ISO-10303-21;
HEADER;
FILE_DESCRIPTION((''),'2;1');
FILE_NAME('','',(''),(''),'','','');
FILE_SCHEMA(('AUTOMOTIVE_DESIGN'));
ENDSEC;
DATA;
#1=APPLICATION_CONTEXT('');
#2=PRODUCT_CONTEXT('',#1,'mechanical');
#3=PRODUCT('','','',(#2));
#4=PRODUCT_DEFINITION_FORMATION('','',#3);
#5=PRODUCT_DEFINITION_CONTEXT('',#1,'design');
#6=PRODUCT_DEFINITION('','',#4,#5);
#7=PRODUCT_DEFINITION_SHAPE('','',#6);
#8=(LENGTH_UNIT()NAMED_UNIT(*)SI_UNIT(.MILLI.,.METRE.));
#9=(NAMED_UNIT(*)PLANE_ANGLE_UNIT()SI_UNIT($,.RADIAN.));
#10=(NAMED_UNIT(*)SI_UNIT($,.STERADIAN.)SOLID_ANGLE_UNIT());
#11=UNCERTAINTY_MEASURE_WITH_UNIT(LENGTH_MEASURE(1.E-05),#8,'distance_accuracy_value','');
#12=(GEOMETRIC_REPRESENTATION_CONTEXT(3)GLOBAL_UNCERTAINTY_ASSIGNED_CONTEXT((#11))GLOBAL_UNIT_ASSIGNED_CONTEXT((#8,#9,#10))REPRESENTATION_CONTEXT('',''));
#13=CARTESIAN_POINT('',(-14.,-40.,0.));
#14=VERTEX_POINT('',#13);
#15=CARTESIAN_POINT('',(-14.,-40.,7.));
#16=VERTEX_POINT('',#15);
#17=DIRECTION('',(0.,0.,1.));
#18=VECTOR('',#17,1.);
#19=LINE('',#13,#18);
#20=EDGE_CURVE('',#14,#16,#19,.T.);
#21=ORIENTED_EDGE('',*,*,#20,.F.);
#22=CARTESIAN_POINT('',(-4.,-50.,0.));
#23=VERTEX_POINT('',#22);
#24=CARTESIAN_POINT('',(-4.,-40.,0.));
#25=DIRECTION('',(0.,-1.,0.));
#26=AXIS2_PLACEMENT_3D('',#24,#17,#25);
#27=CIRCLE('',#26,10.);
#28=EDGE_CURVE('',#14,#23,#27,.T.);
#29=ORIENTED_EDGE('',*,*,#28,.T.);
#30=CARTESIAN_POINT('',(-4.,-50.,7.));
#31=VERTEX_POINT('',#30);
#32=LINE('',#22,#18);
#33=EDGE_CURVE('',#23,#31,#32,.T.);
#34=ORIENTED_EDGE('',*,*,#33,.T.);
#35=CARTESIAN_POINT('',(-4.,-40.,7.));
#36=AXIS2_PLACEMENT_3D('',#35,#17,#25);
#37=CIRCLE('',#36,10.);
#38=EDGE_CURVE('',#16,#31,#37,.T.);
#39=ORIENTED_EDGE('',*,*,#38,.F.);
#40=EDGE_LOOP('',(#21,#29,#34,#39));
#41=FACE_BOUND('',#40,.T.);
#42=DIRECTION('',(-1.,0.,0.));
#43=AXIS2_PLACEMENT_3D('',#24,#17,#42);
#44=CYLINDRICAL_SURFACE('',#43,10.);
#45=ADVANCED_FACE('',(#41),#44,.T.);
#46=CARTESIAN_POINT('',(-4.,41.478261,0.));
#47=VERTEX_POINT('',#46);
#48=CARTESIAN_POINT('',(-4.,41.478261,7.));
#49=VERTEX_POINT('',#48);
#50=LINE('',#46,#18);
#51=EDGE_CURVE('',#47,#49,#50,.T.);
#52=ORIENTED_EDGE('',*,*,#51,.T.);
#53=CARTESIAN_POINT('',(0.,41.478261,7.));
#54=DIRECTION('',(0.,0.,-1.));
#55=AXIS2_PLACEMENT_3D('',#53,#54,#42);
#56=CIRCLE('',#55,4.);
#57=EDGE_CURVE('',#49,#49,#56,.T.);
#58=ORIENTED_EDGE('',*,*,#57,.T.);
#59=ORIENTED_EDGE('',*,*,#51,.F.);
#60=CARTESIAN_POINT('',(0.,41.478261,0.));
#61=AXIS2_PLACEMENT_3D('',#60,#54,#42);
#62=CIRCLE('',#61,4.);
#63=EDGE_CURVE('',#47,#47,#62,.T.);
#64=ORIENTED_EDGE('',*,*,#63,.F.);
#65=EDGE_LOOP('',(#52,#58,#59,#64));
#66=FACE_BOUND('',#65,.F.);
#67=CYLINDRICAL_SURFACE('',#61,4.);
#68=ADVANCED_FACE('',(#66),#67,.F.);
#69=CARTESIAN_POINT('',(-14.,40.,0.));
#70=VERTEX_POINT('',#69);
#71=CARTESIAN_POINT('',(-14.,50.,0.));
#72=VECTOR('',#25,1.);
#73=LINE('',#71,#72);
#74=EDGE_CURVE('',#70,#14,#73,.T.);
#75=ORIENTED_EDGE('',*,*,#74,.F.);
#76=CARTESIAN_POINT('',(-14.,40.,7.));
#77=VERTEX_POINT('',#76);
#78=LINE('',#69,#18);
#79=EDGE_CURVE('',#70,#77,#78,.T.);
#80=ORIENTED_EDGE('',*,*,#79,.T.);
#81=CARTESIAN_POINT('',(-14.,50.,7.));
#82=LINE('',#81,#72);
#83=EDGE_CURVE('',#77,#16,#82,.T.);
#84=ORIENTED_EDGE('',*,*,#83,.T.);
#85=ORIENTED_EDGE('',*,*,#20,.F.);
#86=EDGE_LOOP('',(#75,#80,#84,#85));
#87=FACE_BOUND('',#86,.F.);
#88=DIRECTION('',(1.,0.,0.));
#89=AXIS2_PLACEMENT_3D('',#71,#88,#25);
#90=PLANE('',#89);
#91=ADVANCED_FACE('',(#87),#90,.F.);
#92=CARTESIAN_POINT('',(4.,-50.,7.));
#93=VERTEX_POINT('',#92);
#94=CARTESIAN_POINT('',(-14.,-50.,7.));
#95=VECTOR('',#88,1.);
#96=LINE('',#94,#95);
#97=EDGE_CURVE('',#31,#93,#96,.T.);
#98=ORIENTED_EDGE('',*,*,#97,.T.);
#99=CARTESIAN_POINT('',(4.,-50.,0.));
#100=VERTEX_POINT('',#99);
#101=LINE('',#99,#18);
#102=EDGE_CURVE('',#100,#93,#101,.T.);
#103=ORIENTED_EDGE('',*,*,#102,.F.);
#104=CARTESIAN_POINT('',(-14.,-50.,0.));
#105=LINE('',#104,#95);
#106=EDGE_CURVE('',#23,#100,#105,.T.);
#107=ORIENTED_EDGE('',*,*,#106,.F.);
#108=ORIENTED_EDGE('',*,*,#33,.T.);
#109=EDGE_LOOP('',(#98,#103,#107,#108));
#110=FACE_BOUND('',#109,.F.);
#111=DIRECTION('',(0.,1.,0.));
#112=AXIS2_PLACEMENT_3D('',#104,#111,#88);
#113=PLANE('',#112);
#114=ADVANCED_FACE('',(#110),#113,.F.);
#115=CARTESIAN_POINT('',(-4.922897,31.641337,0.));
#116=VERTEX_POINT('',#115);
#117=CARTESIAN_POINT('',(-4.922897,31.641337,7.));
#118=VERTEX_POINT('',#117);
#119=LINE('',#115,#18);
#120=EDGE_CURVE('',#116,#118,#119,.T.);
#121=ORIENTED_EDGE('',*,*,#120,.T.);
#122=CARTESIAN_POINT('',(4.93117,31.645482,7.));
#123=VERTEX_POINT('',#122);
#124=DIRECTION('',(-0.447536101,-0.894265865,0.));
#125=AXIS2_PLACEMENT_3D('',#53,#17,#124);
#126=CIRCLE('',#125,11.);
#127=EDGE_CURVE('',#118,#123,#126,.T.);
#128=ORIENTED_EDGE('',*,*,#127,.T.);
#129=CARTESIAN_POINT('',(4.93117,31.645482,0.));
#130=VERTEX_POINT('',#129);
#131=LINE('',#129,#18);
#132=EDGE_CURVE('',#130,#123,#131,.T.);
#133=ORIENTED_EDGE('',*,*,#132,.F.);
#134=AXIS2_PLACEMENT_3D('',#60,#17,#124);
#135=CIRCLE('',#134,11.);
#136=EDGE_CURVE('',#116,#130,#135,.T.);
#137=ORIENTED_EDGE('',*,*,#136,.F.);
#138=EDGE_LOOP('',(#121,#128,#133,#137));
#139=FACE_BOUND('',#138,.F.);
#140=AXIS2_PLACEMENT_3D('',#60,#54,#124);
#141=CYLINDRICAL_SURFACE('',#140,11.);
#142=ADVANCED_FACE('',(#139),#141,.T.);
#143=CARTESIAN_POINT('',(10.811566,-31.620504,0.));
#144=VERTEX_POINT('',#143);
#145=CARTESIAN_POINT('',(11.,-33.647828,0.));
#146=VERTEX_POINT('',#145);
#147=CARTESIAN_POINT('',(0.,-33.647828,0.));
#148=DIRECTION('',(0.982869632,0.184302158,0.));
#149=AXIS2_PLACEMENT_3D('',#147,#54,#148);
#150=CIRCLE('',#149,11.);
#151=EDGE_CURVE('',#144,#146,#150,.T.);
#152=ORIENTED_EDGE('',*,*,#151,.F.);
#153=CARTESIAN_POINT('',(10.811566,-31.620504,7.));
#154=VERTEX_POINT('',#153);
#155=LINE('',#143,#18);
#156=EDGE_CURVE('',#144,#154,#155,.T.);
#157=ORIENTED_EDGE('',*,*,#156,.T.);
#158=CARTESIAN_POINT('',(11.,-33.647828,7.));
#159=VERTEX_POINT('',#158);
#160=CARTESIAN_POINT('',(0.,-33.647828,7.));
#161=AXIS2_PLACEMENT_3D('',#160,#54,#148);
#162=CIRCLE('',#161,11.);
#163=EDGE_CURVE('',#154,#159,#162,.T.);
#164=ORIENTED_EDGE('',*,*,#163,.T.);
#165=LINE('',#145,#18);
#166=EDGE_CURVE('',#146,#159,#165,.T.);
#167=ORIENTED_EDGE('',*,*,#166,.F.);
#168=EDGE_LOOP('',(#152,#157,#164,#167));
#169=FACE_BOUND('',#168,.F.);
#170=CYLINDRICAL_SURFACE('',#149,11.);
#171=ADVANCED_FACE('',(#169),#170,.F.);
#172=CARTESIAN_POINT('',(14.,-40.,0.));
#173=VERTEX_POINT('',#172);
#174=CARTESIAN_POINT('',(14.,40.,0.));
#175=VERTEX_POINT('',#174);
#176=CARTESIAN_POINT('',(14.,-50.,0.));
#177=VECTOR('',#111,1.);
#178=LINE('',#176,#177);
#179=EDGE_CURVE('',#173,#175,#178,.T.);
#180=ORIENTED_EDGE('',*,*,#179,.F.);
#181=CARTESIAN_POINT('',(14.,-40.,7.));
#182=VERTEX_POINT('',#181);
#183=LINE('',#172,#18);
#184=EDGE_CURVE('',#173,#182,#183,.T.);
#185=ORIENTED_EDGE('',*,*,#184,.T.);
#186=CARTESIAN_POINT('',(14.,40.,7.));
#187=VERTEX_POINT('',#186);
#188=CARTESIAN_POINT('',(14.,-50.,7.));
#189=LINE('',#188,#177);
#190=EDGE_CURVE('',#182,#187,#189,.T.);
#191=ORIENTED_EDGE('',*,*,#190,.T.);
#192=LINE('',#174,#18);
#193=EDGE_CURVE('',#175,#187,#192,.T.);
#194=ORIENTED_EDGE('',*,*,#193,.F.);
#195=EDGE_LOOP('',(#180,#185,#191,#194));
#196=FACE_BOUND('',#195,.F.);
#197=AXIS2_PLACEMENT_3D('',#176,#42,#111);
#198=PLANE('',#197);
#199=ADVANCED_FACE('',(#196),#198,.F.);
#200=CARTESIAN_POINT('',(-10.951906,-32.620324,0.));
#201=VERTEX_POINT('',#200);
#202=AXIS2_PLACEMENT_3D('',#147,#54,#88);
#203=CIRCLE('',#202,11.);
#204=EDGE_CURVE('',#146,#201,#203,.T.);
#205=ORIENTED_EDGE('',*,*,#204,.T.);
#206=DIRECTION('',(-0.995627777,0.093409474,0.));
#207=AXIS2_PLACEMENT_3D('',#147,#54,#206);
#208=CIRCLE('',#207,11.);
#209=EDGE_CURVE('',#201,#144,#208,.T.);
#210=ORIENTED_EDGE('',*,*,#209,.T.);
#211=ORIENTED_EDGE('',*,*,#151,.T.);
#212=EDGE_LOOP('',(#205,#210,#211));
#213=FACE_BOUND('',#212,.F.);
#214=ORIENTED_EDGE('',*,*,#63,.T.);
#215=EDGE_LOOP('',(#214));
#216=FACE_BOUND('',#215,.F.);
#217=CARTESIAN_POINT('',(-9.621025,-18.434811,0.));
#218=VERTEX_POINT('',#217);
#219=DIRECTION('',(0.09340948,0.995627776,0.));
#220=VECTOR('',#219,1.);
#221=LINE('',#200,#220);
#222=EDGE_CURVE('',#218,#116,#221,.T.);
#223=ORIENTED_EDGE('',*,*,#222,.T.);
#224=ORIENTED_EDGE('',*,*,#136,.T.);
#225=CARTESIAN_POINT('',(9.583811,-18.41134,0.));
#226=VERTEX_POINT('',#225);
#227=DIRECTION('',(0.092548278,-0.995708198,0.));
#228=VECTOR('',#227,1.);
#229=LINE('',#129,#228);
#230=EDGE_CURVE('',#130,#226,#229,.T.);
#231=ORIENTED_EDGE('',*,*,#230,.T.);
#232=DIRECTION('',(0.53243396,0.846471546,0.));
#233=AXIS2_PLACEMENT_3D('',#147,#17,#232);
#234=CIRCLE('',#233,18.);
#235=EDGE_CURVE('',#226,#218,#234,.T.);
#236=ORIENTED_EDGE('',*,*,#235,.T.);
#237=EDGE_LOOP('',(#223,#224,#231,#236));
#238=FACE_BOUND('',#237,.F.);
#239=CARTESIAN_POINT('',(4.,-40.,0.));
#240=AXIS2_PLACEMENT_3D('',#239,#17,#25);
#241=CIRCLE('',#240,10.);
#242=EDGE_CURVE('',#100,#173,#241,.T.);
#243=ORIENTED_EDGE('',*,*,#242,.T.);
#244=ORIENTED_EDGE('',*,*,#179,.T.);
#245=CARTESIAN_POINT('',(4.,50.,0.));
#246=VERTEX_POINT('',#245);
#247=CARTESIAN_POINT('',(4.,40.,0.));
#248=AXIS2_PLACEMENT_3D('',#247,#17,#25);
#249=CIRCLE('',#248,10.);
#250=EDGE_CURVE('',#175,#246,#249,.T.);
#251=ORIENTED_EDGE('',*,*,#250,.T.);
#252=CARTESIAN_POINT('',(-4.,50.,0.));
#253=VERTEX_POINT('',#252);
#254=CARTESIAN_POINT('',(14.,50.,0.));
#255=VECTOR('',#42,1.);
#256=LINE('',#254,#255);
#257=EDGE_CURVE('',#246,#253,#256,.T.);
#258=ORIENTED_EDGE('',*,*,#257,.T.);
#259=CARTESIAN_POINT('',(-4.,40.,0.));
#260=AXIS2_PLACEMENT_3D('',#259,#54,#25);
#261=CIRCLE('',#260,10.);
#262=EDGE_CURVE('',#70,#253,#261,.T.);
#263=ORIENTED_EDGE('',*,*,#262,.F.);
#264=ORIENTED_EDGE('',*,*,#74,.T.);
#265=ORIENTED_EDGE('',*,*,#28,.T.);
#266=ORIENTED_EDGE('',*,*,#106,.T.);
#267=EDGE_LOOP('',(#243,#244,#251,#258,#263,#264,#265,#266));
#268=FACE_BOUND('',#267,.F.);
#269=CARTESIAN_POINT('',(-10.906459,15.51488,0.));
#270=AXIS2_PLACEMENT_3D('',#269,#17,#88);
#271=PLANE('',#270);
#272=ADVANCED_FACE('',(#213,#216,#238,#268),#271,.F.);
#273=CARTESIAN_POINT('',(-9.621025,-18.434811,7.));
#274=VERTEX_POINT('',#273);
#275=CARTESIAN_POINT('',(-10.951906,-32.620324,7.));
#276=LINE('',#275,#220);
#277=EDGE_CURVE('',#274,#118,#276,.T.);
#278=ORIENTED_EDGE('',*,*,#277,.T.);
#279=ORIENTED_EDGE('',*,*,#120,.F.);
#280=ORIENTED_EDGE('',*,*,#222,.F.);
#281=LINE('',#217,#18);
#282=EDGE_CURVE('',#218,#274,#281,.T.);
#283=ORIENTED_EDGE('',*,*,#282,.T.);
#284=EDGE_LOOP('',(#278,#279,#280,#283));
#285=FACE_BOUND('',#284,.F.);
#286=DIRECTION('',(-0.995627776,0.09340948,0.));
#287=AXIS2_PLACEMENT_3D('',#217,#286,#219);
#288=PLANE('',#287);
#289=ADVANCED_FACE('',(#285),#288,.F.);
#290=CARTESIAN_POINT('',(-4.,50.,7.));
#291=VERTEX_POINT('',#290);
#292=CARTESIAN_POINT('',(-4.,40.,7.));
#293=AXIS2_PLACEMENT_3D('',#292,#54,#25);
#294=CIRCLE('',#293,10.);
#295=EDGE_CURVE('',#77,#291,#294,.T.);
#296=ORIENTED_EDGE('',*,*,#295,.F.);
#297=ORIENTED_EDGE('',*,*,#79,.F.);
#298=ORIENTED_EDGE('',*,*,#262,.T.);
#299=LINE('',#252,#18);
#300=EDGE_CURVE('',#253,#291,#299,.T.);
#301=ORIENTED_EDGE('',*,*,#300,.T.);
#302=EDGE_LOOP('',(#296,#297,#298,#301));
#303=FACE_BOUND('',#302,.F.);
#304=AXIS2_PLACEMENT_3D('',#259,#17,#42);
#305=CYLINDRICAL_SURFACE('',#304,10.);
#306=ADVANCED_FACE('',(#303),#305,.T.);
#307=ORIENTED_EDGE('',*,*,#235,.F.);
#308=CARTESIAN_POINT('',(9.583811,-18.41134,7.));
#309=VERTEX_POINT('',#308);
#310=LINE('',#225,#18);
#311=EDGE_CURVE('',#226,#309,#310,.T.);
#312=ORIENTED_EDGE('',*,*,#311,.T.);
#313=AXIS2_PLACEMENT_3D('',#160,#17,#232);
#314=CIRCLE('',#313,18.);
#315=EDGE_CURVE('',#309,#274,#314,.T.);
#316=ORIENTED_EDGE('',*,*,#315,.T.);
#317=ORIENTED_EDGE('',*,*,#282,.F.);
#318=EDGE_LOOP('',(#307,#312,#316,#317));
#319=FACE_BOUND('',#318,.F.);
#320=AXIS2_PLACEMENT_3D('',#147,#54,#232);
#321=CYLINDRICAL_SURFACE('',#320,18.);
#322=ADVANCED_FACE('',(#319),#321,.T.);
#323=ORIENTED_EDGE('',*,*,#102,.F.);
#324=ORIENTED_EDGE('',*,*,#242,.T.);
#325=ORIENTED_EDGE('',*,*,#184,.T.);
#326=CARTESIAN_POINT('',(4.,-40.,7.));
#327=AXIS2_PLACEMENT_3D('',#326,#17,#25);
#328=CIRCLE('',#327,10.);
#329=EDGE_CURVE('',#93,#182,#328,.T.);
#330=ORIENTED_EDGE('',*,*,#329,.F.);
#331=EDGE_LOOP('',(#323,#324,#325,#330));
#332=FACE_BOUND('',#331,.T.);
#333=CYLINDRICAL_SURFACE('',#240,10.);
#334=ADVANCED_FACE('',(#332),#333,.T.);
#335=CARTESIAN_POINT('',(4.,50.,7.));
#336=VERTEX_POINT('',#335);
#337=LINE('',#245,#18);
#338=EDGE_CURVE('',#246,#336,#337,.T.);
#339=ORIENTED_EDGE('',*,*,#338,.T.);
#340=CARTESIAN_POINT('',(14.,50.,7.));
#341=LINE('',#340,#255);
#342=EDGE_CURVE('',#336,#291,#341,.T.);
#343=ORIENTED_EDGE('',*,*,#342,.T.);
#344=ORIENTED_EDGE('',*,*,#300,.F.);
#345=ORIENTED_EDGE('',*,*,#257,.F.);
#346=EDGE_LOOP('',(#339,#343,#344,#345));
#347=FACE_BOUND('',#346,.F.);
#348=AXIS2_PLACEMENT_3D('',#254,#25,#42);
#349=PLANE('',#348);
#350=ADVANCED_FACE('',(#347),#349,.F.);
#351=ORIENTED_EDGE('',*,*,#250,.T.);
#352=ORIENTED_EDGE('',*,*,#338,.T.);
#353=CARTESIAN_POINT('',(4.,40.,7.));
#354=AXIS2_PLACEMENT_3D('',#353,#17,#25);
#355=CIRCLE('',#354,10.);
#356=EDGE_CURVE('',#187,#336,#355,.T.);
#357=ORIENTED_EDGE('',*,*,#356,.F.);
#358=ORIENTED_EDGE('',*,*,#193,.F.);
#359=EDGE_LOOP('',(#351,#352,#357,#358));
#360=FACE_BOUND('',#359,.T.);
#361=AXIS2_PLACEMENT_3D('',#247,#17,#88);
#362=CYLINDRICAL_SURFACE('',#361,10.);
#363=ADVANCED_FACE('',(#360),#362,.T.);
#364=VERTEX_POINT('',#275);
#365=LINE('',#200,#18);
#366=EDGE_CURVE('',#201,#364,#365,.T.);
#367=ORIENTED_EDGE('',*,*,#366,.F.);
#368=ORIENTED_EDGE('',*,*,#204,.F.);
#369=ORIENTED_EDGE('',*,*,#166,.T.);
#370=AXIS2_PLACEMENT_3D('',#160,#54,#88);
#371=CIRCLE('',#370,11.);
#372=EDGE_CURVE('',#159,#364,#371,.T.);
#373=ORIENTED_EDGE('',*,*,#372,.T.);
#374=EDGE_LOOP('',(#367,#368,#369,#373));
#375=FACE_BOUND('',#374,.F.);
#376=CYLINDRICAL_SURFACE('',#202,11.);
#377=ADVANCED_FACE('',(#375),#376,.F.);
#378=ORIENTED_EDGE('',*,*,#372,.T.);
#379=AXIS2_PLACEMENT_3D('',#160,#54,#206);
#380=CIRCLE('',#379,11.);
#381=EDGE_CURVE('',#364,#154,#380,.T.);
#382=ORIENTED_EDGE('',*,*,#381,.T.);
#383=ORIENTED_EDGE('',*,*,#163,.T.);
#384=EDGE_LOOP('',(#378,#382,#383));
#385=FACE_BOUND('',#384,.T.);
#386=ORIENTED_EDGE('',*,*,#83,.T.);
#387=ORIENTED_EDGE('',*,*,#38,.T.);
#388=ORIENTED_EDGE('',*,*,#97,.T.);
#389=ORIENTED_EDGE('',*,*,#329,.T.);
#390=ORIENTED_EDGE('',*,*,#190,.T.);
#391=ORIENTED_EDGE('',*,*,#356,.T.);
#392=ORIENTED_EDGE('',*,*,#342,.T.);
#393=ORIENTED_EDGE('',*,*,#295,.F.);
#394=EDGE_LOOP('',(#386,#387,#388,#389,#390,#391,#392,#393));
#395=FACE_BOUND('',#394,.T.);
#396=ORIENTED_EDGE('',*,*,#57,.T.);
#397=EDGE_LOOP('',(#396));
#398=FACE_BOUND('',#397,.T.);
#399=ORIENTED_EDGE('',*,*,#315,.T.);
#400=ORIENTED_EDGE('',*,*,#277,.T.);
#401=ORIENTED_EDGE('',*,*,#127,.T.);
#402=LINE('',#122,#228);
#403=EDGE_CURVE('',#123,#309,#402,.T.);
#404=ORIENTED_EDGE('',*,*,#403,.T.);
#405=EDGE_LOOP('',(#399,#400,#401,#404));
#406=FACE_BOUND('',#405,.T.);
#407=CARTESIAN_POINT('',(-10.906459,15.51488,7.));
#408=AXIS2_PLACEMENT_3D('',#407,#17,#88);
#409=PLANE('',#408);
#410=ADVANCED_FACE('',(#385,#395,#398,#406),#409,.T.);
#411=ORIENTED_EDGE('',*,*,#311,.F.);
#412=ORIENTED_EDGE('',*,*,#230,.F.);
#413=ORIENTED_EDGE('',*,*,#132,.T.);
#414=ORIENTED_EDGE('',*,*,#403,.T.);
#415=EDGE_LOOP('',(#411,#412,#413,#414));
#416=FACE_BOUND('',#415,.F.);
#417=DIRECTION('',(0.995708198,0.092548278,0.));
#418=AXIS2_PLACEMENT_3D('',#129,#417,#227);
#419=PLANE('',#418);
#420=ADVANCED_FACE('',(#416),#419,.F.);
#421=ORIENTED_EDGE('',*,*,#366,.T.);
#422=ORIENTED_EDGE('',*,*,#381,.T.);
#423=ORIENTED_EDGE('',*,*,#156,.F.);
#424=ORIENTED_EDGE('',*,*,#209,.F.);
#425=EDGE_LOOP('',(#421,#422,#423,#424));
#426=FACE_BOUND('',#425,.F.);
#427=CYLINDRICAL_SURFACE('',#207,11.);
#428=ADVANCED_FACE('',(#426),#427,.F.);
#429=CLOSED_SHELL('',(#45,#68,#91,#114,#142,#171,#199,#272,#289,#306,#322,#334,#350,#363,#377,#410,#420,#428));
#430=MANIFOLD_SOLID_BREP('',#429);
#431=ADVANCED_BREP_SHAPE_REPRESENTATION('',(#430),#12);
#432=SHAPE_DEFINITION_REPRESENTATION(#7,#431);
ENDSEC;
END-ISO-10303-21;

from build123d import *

# Parameters (mm, degrees)
F1_DEPTH = 7
F2_R     = 10


with BuildPart() as f1:
    # F0 (on Top) → F1 (new body)
    with BuildSketch(Plane.XY):
        with BuildLine():
            Line((-6.9555711777, 50), (-14, 50))
            Line((-14, 50), (-14, -22.3341193051))
            ThreePointArc((-14, -22.3341193051), (-11.9703533794, -20.2049620392), (-9.6210253167, -18.4348112769))
            Line((-9.6210253167, -18.4348112769), (-4.9228971131, 31.6413368315))
            ThreePointArc((-4.9228971131, 31.6413368315), (-10.9331894051, 40.2677369064), (-6.9555711777, 50))
        make_face()
        with BuildLine():
            Line((6.9555711777, 50), (-6.9555711777, 50))
            ThreePointArc((-6.9555711777, 50), (-10.9331894051, 40.2677369064), (-4.9228971131, 31.6413368315))
            ThreePointArc((-4.9228971131, 31.6413368315), (0.0046267396, 30.4782623246), (4.9311704412, 31.6454815778))
            ThreePointArc((4.9311704412, 31.6454815778), (9.3606323198, 35.7008430204), (11, 41.4782613516))
            ThreePointArc((11, 41.4782613516), (9.9375873067, 46.1946538843), (6.9555711777, 50))
        make_face()
        with BuildLine():
            ThreePointArc((4, 41.4782613516), (0, 37.4782613516), (-4, 41.4782613516))
            ThreePointArc((-4, 41.4782613516), (0, 45.4782613516), (4, 41.4782613516))
        make_face(mode=Mode.SUBTRACT)
        with BuildLine():
            Line((14, 50), (6.9555711777, 50))
            ThreePointArc((6.9555711777, 50), (9.9375873067, 46.1946538843), (11, 41.4782613516))
            ThreePointArc((11, 41.4782613516), (9.3606323198, 35.7008430204), (4.9311704412, 31.6454815778))
            Line((4.9311704412, 31.6454815778), (9.5838112886, -18.411339981))
            ThreePointArc((9.5838112886, -18.411339981), (11.95391518, -20.1903424569), (14, -22.3341193051))
            Line((14, -22.3341193051), (14, 50))
        make_face()
        with BuildLine():
            ThreePointArc((-9.6210253167, -18.4348112769), (-11.9703533794, -20.2049620392), (-14, -22.3341193051))
            Line((-14, -22.3341193051), (-14, -44.9615363031))
            ThreePointArc((-14, -44.9615363031), (-11.0527929773, -47.8547193501), (-7.5237267677, -50))
            Line((-7.5237267677, -50), (7.5237267677, -50))
            ThreePointArc((7.5237267677, -50), (11.0527929773, -47.8547193501), (14, -44.9615363031))
            Line((14, -44.9615363031), (14, -22.3341193051))
            ThreePointArc((14, -22.3341193051), (11.95391518, -20.1903424569), (9.5838112886, -18.411339981))
            Line((9.5838112886, -18.411339981), (10.8115659574, -31.6205040636))
            ThreePointArc((10.8115659574, -31.6205040636), (10.9527901818, -32.6297967465), (11, -33.6478278041))
            ThreePointArc((11, -33.6478278041), (-0.5143145885, -44.6357976122), (-10.9519055462, -32.6203235914))
            Line((-10.9519055462, -32.6203235914), (-9.6210253167, -18.4348112769))
        make_face()
        with BuildLine():
            ThreePointArc((9.5838112886, -18.411339981), (-0.0219987819, -15.647841247), (-9.6210253167, -18.4348112769))
            Line((-9.6210253167, -18.4348112769), (-10.9519055462, -32.6203235914))
            ThreePointArc((-10.9519055462, -32.6203235914), (-0.5048104318, -22.6594172535), (10.8115659574, -31.6205040636))
            Line((10.8115659574, -31.6205040636), (9.5838112886, -18.411339981))
        make_face()
        with BuildLine():
            ThreePointArc((-7.5237267677, -50), (-11.0527929773, -47.8547193501), (-14, -44.9615363031))
            Line((-14, -44.9615363031), (-14, -50))
            Line((-14, -50), (-7.5237267677, -50))
        make_face()
        with BuildLine():
            ThreePointArc((14, -44.9615363031), (11.0527929773, -47.8547193501), (7.5237267677, -50))
            Line((7.5237267677, -50), (14, -50))
            Line((14, -50), (14, -44.9615363031))
        make_face()
    extrude(amount=F1_DEPTH)

    # F2
    f2_edges = [f1.edges().sort_by_distance(p)[0] for p in [
        (14, 50, 3.5),
        (-14, 50, 3.5),
        (-14, -50, 3.5),
        (14, -50, 3.5),
    ]]
    fillet(f2_edges, radius=F2_R)


solid = f1.part
